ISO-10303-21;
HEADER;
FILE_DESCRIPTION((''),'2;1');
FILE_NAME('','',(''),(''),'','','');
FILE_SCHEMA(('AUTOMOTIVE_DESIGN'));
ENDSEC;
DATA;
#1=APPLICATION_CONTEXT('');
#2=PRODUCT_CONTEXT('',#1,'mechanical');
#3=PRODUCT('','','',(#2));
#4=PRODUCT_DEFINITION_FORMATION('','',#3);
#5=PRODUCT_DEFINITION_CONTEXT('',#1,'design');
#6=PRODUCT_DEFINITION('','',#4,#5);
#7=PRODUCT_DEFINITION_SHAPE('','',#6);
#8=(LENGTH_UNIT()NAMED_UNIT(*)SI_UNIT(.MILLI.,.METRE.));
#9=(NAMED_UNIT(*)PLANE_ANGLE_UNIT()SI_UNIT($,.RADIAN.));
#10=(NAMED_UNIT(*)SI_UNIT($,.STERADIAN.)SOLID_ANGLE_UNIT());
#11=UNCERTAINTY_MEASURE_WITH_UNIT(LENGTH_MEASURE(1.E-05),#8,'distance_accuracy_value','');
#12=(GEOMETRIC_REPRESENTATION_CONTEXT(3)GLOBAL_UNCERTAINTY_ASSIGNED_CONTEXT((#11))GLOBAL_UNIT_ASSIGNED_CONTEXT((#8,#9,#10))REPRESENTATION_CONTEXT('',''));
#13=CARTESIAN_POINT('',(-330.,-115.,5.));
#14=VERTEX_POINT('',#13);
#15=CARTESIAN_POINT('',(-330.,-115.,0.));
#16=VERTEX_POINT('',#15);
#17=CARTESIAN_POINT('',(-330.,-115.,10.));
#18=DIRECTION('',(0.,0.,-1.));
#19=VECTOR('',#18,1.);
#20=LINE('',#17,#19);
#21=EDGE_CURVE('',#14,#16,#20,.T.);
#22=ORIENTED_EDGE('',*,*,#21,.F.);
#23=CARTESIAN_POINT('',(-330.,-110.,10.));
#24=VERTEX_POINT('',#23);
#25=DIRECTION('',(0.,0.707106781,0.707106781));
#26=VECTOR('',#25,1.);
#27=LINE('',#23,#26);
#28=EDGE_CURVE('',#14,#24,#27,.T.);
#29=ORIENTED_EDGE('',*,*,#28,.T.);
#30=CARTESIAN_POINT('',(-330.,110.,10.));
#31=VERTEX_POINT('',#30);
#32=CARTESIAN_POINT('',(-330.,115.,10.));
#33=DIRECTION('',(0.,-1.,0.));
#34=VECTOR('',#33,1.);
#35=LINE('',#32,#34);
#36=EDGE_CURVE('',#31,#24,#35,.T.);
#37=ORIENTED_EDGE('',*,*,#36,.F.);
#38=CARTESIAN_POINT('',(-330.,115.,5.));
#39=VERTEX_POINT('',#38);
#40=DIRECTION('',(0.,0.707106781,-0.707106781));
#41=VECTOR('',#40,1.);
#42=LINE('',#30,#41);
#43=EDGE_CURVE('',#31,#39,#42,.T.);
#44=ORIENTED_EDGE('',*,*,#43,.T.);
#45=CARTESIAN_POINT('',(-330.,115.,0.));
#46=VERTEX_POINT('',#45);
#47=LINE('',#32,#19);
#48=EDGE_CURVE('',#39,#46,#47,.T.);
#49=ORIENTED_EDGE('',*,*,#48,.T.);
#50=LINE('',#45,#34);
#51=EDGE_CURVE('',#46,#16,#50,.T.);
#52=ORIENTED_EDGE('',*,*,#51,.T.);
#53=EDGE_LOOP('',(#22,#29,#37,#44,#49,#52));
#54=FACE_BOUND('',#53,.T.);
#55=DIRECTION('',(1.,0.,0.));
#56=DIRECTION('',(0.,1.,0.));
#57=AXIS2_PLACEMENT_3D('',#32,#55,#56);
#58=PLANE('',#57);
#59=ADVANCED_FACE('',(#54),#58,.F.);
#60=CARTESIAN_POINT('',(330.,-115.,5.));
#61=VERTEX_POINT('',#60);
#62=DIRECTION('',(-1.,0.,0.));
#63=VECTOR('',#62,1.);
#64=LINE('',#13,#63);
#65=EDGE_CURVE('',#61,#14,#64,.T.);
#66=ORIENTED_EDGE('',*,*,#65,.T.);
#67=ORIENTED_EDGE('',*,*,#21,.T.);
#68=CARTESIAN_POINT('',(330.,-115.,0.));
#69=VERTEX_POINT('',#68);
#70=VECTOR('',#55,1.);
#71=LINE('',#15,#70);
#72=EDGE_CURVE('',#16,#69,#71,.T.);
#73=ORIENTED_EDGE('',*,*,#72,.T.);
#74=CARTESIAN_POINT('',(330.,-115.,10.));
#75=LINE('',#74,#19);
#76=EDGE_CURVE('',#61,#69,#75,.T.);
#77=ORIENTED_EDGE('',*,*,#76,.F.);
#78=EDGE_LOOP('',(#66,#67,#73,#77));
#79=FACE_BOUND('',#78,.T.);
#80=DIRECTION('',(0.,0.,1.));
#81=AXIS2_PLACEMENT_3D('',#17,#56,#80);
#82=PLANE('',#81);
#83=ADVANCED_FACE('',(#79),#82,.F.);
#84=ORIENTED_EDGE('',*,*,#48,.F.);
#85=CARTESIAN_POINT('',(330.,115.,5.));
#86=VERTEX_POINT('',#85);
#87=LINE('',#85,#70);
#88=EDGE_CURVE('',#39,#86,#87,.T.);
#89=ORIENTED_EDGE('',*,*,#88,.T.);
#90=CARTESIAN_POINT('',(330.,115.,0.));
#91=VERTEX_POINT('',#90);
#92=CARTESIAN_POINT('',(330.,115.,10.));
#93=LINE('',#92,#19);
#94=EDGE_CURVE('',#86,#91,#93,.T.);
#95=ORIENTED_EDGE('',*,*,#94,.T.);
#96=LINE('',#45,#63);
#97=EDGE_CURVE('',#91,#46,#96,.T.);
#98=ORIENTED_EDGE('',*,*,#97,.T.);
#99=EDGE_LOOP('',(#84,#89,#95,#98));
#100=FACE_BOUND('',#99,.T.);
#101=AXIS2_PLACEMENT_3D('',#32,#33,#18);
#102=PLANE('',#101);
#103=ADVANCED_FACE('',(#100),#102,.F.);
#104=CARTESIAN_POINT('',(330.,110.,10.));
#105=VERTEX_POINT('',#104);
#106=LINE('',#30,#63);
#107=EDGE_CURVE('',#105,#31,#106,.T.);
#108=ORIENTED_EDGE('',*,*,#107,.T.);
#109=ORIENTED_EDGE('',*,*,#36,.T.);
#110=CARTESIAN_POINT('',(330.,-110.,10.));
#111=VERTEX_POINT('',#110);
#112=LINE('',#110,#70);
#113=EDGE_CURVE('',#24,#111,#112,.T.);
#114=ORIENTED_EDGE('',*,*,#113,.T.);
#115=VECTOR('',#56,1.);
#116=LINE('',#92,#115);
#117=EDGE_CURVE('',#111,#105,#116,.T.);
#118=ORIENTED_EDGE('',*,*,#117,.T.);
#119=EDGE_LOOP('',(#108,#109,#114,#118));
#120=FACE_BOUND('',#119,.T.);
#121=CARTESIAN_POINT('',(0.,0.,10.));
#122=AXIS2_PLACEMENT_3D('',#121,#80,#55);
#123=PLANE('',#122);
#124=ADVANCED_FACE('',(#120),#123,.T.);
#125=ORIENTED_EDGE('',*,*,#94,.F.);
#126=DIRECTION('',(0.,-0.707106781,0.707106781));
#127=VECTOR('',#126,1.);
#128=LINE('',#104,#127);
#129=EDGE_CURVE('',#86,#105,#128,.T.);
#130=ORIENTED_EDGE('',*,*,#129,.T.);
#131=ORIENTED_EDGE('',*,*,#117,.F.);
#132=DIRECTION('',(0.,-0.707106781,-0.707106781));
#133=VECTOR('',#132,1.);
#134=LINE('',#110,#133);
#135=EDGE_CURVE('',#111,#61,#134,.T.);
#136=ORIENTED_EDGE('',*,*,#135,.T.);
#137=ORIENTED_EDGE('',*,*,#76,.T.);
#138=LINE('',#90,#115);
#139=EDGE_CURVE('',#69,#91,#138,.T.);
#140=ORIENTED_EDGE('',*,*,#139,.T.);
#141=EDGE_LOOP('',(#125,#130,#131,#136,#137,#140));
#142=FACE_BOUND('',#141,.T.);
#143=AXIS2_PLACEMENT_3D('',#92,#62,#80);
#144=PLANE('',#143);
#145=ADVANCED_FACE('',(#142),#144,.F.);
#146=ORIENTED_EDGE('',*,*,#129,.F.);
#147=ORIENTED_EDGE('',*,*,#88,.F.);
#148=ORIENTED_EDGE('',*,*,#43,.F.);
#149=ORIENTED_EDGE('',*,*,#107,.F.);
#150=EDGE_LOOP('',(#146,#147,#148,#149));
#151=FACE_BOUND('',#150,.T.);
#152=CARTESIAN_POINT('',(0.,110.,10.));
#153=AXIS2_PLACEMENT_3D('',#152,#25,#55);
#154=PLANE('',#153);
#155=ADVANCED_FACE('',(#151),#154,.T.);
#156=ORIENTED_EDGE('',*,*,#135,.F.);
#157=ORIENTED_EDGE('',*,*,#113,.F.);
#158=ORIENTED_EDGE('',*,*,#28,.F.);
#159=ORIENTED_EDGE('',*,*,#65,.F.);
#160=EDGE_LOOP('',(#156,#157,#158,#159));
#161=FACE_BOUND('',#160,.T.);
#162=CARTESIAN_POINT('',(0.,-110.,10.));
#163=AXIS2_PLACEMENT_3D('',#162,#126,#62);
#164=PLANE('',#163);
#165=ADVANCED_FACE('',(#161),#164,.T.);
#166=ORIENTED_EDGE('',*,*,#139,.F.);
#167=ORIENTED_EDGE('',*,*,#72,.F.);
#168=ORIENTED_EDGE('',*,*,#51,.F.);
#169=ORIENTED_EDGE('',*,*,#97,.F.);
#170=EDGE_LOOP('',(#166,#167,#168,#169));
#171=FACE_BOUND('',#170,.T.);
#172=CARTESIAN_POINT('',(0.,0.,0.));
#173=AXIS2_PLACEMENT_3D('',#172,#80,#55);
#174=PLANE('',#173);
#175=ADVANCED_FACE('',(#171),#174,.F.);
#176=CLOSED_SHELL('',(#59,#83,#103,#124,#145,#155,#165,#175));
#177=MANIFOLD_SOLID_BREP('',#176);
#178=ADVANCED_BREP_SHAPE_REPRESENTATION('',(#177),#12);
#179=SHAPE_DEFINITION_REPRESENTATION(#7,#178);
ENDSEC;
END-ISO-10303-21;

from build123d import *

# Parameters (mm, degrees)
SKETCH_1_W      = 660
SKETCH_1_H      = 230
EXTRUDE_1_DEPTH = 10
CHAMFER_1_SIZE  = 5


with BuildPart() as part:
    # 草图1 → 凸台-拉伸1 (new body)
    with BuildSketch(Plane.XY):
        Rectangle(SKETCH_1_W, SKETCH_1_H)
    extrude(amount=EXTRUDE_1_DEPTH)

    # 倒角1
    chamfer_1_edges = [part.edges().sort_by_distance(p)[0] for p in [
        (0, -115, 10),
        (0, 115, 10),
    ]]
    chamfer(chamfer_1_edges, length=CHAMFER_1_SIZE)


solid = part.part
